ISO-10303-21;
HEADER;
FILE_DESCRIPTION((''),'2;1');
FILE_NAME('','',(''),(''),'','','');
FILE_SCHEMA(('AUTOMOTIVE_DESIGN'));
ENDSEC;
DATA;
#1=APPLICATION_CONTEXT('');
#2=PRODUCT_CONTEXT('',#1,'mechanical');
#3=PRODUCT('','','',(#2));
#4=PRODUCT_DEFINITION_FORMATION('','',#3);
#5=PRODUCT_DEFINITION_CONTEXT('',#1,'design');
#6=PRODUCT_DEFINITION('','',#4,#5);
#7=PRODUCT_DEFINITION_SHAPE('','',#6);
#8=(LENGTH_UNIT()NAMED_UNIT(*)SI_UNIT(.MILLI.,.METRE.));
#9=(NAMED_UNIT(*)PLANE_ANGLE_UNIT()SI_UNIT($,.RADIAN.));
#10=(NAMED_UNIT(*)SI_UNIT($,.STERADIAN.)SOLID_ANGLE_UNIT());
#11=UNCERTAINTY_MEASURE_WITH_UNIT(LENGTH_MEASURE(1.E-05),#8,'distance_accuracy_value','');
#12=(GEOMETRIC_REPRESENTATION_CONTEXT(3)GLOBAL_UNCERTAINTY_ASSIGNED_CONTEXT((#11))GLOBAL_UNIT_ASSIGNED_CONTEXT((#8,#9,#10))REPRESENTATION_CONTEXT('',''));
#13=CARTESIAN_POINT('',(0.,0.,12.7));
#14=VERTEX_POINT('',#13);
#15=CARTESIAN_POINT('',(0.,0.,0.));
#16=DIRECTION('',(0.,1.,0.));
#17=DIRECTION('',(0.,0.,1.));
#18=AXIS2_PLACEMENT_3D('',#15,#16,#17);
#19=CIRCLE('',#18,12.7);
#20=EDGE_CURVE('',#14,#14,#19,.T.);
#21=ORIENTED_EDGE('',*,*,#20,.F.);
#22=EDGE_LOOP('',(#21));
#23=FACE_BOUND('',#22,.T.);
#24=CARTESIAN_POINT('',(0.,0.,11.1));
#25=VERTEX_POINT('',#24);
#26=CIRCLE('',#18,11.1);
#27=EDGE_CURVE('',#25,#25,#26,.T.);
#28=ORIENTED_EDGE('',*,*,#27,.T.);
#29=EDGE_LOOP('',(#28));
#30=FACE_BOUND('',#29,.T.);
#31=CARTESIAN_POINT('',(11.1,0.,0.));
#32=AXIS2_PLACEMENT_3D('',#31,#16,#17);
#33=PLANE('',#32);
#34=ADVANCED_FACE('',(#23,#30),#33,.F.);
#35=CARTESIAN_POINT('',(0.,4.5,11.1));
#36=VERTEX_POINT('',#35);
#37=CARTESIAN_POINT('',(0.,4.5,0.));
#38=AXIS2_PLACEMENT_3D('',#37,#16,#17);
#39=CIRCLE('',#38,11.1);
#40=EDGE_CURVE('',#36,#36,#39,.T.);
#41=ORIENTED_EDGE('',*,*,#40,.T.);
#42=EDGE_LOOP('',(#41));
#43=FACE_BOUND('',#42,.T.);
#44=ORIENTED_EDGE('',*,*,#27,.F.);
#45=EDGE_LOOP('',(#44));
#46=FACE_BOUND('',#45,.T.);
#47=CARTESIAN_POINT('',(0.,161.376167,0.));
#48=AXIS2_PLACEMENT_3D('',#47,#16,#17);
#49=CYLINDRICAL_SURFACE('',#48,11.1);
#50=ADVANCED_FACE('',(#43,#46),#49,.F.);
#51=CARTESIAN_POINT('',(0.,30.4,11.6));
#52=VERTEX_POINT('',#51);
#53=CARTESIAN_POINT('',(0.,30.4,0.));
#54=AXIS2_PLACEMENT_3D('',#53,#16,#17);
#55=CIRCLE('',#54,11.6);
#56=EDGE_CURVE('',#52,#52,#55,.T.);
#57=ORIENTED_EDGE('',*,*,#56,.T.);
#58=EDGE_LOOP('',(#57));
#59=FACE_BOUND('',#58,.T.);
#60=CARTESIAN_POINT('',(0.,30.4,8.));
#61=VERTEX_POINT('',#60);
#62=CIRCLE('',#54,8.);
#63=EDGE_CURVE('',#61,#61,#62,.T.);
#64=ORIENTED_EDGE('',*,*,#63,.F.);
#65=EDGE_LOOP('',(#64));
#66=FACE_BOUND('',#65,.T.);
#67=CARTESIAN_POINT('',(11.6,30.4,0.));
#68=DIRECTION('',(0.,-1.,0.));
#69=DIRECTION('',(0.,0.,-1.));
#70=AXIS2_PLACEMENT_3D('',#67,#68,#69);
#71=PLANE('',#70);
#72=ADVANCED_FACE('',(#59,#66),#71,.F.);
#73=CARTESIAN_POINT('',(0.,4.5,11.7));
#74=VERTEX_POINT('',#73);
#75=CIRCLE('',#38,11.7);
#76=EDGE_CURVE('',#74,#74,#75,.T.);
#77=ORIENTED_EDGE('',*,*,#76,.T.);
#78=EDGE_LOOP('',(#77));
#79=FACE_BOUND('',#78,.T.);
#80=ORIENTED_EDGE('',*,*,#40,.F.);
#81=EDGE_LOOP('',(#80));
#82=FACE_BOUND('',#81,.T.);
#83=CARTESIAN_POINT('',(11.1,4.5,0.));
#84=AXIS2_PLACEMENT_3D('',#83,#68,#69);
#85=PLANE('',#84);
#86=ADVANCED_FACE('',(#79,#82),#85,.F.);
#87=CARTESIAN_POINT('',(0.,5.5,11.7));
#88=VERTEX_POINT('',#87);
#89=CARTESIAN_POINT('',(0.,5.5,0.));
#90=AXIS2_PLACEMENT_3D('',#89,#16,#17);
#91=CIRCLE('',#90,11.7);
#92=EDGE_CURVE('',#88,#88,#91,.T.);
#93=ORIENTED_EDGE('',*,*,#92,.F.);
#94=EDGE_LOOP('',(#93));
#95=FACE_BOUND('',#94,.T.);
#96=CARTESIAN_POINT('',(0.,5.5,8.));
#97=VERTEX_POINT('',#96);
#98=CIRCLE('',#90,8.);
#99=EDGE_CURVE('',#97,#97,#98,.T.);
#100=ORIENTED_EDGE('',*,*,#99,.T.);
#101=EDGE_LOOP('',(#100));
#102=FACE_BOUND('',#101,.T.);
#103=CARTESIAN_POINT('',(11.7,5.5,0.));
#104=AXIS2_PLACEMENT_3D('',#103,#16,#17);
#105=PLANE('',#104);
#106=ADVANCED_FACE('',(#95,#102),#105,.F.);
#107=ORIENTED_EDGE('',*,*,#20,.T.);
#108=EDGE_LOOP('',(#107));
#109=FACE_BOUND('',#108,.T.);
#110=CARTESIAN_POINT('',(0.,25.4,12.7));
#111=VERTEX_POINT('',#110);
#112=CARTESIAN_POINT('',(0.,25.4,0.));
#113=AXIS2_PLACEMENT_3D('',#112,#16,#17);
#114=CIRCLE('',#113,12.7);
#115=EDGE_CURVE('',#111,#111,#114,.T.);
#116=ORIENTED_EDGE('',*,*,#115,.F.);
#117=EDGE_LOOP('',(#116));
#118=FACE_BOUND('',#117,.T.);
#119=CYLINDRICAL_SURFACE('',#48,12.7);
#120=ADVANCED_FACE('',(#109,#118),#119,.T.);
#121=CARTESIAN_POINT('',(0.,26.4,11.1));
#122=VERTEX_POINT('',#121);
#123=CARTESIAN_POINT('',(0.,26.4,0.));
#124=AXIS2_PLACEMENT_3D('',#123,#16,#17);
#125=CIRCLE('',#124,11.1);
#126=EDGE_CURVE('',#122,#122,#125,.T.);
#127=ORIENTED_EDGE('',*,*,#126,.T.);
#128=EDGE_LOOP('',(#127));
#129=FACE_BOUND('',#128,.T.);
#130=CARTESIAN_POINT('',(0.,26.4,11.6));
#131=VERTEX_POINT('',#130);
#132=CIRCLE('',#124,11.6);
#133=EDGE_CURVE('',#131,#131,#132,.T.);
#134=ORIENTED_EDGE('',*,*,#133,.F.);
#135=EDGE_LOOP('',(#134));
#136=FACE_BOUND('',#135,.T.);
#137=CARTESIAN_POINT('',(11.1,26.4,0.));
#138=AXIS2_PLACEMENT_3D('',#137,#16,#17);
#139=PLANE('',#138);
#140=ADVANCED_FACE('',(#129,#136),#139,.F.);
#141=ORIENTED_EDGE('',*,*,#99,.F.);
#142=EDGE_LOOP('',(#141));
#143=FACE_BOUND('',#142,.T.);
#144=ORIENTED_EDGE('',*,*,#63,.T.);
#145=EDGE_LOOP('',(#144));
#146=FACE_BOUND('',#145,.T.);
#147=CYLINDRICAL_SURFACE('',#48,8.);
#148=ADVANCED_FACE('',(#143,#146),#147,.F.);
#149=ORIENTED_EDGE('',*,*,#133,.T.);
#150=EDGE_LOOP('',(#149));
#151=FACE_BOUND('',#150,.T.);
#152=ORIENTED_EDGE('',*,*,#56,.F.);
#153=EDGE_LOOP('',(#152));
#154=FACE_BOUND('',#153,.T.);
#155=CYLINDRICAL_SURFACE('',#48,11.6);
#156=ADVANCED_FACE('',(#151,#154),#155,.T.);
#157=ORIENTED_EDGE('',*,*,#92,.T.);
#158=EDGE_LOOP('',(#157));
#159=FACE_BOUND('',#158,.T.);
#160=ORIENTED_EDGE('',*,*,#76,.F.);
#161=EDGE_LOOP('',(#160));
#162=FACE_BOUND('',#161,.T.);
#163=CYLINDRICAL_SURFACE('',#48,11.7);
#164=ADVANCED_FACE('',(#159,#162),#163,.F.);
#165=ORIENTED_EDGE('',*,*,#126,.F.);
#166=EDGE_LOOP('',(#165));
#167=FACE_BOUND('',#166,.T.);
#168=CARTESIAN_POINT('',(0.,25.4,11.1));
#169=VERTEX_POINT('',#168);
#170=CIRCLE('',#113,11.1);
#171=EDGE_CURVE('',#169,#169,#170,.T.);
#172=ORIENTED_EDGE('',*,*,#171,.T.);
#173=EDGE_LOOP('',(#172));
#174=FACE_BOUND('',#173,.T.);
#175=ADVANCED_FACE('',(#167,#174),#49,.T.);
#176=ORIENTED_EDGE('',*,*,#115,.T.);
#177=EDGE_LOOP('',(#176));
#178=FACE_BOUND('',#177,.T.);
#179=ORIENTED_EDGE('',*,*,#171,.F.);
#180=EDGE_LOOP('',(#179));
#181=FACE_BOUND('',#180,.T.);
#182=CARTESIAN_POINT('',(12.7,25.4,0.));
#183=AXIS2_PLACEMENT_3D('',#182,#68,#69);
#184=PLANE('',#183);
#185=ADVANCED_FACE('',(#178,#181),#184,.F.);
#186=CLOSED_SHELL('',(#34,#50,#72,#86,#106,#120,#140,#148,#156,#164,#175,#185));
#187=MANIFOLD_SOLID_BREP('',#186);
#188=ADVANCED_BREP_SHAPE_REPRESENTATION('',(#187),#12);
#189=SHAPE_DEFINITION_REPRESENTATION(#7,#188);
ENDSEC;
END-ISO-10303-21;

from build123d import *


with BuildPart() as part:
    # 草图1 → 旋转1 (revolve)
    with BuildSketch(Plane.XY, mode=Mode.PRIVATE) as revolve_1_sk:
        Polygon((11.1, 0), (11.1, 4.5), (11.7, 4.5), (11.7, 5.5), (8, 5.5), (8, 30.4), (11.6, 30.4), (11.6, 26.4), (11.1, 26.4), (11.1, 25.4), (12.7, 25.4), (12.7, 0), align=None)
    revolve(revolve_1_sk.sketch.rotate(Axis((0, 161.376166943, 0), (0, -1, 0)), 90), axis=Axis((0, 161.376166943, 0), (0, -1, 0)))  # turned: the seam where the file's is


solid = part.part
